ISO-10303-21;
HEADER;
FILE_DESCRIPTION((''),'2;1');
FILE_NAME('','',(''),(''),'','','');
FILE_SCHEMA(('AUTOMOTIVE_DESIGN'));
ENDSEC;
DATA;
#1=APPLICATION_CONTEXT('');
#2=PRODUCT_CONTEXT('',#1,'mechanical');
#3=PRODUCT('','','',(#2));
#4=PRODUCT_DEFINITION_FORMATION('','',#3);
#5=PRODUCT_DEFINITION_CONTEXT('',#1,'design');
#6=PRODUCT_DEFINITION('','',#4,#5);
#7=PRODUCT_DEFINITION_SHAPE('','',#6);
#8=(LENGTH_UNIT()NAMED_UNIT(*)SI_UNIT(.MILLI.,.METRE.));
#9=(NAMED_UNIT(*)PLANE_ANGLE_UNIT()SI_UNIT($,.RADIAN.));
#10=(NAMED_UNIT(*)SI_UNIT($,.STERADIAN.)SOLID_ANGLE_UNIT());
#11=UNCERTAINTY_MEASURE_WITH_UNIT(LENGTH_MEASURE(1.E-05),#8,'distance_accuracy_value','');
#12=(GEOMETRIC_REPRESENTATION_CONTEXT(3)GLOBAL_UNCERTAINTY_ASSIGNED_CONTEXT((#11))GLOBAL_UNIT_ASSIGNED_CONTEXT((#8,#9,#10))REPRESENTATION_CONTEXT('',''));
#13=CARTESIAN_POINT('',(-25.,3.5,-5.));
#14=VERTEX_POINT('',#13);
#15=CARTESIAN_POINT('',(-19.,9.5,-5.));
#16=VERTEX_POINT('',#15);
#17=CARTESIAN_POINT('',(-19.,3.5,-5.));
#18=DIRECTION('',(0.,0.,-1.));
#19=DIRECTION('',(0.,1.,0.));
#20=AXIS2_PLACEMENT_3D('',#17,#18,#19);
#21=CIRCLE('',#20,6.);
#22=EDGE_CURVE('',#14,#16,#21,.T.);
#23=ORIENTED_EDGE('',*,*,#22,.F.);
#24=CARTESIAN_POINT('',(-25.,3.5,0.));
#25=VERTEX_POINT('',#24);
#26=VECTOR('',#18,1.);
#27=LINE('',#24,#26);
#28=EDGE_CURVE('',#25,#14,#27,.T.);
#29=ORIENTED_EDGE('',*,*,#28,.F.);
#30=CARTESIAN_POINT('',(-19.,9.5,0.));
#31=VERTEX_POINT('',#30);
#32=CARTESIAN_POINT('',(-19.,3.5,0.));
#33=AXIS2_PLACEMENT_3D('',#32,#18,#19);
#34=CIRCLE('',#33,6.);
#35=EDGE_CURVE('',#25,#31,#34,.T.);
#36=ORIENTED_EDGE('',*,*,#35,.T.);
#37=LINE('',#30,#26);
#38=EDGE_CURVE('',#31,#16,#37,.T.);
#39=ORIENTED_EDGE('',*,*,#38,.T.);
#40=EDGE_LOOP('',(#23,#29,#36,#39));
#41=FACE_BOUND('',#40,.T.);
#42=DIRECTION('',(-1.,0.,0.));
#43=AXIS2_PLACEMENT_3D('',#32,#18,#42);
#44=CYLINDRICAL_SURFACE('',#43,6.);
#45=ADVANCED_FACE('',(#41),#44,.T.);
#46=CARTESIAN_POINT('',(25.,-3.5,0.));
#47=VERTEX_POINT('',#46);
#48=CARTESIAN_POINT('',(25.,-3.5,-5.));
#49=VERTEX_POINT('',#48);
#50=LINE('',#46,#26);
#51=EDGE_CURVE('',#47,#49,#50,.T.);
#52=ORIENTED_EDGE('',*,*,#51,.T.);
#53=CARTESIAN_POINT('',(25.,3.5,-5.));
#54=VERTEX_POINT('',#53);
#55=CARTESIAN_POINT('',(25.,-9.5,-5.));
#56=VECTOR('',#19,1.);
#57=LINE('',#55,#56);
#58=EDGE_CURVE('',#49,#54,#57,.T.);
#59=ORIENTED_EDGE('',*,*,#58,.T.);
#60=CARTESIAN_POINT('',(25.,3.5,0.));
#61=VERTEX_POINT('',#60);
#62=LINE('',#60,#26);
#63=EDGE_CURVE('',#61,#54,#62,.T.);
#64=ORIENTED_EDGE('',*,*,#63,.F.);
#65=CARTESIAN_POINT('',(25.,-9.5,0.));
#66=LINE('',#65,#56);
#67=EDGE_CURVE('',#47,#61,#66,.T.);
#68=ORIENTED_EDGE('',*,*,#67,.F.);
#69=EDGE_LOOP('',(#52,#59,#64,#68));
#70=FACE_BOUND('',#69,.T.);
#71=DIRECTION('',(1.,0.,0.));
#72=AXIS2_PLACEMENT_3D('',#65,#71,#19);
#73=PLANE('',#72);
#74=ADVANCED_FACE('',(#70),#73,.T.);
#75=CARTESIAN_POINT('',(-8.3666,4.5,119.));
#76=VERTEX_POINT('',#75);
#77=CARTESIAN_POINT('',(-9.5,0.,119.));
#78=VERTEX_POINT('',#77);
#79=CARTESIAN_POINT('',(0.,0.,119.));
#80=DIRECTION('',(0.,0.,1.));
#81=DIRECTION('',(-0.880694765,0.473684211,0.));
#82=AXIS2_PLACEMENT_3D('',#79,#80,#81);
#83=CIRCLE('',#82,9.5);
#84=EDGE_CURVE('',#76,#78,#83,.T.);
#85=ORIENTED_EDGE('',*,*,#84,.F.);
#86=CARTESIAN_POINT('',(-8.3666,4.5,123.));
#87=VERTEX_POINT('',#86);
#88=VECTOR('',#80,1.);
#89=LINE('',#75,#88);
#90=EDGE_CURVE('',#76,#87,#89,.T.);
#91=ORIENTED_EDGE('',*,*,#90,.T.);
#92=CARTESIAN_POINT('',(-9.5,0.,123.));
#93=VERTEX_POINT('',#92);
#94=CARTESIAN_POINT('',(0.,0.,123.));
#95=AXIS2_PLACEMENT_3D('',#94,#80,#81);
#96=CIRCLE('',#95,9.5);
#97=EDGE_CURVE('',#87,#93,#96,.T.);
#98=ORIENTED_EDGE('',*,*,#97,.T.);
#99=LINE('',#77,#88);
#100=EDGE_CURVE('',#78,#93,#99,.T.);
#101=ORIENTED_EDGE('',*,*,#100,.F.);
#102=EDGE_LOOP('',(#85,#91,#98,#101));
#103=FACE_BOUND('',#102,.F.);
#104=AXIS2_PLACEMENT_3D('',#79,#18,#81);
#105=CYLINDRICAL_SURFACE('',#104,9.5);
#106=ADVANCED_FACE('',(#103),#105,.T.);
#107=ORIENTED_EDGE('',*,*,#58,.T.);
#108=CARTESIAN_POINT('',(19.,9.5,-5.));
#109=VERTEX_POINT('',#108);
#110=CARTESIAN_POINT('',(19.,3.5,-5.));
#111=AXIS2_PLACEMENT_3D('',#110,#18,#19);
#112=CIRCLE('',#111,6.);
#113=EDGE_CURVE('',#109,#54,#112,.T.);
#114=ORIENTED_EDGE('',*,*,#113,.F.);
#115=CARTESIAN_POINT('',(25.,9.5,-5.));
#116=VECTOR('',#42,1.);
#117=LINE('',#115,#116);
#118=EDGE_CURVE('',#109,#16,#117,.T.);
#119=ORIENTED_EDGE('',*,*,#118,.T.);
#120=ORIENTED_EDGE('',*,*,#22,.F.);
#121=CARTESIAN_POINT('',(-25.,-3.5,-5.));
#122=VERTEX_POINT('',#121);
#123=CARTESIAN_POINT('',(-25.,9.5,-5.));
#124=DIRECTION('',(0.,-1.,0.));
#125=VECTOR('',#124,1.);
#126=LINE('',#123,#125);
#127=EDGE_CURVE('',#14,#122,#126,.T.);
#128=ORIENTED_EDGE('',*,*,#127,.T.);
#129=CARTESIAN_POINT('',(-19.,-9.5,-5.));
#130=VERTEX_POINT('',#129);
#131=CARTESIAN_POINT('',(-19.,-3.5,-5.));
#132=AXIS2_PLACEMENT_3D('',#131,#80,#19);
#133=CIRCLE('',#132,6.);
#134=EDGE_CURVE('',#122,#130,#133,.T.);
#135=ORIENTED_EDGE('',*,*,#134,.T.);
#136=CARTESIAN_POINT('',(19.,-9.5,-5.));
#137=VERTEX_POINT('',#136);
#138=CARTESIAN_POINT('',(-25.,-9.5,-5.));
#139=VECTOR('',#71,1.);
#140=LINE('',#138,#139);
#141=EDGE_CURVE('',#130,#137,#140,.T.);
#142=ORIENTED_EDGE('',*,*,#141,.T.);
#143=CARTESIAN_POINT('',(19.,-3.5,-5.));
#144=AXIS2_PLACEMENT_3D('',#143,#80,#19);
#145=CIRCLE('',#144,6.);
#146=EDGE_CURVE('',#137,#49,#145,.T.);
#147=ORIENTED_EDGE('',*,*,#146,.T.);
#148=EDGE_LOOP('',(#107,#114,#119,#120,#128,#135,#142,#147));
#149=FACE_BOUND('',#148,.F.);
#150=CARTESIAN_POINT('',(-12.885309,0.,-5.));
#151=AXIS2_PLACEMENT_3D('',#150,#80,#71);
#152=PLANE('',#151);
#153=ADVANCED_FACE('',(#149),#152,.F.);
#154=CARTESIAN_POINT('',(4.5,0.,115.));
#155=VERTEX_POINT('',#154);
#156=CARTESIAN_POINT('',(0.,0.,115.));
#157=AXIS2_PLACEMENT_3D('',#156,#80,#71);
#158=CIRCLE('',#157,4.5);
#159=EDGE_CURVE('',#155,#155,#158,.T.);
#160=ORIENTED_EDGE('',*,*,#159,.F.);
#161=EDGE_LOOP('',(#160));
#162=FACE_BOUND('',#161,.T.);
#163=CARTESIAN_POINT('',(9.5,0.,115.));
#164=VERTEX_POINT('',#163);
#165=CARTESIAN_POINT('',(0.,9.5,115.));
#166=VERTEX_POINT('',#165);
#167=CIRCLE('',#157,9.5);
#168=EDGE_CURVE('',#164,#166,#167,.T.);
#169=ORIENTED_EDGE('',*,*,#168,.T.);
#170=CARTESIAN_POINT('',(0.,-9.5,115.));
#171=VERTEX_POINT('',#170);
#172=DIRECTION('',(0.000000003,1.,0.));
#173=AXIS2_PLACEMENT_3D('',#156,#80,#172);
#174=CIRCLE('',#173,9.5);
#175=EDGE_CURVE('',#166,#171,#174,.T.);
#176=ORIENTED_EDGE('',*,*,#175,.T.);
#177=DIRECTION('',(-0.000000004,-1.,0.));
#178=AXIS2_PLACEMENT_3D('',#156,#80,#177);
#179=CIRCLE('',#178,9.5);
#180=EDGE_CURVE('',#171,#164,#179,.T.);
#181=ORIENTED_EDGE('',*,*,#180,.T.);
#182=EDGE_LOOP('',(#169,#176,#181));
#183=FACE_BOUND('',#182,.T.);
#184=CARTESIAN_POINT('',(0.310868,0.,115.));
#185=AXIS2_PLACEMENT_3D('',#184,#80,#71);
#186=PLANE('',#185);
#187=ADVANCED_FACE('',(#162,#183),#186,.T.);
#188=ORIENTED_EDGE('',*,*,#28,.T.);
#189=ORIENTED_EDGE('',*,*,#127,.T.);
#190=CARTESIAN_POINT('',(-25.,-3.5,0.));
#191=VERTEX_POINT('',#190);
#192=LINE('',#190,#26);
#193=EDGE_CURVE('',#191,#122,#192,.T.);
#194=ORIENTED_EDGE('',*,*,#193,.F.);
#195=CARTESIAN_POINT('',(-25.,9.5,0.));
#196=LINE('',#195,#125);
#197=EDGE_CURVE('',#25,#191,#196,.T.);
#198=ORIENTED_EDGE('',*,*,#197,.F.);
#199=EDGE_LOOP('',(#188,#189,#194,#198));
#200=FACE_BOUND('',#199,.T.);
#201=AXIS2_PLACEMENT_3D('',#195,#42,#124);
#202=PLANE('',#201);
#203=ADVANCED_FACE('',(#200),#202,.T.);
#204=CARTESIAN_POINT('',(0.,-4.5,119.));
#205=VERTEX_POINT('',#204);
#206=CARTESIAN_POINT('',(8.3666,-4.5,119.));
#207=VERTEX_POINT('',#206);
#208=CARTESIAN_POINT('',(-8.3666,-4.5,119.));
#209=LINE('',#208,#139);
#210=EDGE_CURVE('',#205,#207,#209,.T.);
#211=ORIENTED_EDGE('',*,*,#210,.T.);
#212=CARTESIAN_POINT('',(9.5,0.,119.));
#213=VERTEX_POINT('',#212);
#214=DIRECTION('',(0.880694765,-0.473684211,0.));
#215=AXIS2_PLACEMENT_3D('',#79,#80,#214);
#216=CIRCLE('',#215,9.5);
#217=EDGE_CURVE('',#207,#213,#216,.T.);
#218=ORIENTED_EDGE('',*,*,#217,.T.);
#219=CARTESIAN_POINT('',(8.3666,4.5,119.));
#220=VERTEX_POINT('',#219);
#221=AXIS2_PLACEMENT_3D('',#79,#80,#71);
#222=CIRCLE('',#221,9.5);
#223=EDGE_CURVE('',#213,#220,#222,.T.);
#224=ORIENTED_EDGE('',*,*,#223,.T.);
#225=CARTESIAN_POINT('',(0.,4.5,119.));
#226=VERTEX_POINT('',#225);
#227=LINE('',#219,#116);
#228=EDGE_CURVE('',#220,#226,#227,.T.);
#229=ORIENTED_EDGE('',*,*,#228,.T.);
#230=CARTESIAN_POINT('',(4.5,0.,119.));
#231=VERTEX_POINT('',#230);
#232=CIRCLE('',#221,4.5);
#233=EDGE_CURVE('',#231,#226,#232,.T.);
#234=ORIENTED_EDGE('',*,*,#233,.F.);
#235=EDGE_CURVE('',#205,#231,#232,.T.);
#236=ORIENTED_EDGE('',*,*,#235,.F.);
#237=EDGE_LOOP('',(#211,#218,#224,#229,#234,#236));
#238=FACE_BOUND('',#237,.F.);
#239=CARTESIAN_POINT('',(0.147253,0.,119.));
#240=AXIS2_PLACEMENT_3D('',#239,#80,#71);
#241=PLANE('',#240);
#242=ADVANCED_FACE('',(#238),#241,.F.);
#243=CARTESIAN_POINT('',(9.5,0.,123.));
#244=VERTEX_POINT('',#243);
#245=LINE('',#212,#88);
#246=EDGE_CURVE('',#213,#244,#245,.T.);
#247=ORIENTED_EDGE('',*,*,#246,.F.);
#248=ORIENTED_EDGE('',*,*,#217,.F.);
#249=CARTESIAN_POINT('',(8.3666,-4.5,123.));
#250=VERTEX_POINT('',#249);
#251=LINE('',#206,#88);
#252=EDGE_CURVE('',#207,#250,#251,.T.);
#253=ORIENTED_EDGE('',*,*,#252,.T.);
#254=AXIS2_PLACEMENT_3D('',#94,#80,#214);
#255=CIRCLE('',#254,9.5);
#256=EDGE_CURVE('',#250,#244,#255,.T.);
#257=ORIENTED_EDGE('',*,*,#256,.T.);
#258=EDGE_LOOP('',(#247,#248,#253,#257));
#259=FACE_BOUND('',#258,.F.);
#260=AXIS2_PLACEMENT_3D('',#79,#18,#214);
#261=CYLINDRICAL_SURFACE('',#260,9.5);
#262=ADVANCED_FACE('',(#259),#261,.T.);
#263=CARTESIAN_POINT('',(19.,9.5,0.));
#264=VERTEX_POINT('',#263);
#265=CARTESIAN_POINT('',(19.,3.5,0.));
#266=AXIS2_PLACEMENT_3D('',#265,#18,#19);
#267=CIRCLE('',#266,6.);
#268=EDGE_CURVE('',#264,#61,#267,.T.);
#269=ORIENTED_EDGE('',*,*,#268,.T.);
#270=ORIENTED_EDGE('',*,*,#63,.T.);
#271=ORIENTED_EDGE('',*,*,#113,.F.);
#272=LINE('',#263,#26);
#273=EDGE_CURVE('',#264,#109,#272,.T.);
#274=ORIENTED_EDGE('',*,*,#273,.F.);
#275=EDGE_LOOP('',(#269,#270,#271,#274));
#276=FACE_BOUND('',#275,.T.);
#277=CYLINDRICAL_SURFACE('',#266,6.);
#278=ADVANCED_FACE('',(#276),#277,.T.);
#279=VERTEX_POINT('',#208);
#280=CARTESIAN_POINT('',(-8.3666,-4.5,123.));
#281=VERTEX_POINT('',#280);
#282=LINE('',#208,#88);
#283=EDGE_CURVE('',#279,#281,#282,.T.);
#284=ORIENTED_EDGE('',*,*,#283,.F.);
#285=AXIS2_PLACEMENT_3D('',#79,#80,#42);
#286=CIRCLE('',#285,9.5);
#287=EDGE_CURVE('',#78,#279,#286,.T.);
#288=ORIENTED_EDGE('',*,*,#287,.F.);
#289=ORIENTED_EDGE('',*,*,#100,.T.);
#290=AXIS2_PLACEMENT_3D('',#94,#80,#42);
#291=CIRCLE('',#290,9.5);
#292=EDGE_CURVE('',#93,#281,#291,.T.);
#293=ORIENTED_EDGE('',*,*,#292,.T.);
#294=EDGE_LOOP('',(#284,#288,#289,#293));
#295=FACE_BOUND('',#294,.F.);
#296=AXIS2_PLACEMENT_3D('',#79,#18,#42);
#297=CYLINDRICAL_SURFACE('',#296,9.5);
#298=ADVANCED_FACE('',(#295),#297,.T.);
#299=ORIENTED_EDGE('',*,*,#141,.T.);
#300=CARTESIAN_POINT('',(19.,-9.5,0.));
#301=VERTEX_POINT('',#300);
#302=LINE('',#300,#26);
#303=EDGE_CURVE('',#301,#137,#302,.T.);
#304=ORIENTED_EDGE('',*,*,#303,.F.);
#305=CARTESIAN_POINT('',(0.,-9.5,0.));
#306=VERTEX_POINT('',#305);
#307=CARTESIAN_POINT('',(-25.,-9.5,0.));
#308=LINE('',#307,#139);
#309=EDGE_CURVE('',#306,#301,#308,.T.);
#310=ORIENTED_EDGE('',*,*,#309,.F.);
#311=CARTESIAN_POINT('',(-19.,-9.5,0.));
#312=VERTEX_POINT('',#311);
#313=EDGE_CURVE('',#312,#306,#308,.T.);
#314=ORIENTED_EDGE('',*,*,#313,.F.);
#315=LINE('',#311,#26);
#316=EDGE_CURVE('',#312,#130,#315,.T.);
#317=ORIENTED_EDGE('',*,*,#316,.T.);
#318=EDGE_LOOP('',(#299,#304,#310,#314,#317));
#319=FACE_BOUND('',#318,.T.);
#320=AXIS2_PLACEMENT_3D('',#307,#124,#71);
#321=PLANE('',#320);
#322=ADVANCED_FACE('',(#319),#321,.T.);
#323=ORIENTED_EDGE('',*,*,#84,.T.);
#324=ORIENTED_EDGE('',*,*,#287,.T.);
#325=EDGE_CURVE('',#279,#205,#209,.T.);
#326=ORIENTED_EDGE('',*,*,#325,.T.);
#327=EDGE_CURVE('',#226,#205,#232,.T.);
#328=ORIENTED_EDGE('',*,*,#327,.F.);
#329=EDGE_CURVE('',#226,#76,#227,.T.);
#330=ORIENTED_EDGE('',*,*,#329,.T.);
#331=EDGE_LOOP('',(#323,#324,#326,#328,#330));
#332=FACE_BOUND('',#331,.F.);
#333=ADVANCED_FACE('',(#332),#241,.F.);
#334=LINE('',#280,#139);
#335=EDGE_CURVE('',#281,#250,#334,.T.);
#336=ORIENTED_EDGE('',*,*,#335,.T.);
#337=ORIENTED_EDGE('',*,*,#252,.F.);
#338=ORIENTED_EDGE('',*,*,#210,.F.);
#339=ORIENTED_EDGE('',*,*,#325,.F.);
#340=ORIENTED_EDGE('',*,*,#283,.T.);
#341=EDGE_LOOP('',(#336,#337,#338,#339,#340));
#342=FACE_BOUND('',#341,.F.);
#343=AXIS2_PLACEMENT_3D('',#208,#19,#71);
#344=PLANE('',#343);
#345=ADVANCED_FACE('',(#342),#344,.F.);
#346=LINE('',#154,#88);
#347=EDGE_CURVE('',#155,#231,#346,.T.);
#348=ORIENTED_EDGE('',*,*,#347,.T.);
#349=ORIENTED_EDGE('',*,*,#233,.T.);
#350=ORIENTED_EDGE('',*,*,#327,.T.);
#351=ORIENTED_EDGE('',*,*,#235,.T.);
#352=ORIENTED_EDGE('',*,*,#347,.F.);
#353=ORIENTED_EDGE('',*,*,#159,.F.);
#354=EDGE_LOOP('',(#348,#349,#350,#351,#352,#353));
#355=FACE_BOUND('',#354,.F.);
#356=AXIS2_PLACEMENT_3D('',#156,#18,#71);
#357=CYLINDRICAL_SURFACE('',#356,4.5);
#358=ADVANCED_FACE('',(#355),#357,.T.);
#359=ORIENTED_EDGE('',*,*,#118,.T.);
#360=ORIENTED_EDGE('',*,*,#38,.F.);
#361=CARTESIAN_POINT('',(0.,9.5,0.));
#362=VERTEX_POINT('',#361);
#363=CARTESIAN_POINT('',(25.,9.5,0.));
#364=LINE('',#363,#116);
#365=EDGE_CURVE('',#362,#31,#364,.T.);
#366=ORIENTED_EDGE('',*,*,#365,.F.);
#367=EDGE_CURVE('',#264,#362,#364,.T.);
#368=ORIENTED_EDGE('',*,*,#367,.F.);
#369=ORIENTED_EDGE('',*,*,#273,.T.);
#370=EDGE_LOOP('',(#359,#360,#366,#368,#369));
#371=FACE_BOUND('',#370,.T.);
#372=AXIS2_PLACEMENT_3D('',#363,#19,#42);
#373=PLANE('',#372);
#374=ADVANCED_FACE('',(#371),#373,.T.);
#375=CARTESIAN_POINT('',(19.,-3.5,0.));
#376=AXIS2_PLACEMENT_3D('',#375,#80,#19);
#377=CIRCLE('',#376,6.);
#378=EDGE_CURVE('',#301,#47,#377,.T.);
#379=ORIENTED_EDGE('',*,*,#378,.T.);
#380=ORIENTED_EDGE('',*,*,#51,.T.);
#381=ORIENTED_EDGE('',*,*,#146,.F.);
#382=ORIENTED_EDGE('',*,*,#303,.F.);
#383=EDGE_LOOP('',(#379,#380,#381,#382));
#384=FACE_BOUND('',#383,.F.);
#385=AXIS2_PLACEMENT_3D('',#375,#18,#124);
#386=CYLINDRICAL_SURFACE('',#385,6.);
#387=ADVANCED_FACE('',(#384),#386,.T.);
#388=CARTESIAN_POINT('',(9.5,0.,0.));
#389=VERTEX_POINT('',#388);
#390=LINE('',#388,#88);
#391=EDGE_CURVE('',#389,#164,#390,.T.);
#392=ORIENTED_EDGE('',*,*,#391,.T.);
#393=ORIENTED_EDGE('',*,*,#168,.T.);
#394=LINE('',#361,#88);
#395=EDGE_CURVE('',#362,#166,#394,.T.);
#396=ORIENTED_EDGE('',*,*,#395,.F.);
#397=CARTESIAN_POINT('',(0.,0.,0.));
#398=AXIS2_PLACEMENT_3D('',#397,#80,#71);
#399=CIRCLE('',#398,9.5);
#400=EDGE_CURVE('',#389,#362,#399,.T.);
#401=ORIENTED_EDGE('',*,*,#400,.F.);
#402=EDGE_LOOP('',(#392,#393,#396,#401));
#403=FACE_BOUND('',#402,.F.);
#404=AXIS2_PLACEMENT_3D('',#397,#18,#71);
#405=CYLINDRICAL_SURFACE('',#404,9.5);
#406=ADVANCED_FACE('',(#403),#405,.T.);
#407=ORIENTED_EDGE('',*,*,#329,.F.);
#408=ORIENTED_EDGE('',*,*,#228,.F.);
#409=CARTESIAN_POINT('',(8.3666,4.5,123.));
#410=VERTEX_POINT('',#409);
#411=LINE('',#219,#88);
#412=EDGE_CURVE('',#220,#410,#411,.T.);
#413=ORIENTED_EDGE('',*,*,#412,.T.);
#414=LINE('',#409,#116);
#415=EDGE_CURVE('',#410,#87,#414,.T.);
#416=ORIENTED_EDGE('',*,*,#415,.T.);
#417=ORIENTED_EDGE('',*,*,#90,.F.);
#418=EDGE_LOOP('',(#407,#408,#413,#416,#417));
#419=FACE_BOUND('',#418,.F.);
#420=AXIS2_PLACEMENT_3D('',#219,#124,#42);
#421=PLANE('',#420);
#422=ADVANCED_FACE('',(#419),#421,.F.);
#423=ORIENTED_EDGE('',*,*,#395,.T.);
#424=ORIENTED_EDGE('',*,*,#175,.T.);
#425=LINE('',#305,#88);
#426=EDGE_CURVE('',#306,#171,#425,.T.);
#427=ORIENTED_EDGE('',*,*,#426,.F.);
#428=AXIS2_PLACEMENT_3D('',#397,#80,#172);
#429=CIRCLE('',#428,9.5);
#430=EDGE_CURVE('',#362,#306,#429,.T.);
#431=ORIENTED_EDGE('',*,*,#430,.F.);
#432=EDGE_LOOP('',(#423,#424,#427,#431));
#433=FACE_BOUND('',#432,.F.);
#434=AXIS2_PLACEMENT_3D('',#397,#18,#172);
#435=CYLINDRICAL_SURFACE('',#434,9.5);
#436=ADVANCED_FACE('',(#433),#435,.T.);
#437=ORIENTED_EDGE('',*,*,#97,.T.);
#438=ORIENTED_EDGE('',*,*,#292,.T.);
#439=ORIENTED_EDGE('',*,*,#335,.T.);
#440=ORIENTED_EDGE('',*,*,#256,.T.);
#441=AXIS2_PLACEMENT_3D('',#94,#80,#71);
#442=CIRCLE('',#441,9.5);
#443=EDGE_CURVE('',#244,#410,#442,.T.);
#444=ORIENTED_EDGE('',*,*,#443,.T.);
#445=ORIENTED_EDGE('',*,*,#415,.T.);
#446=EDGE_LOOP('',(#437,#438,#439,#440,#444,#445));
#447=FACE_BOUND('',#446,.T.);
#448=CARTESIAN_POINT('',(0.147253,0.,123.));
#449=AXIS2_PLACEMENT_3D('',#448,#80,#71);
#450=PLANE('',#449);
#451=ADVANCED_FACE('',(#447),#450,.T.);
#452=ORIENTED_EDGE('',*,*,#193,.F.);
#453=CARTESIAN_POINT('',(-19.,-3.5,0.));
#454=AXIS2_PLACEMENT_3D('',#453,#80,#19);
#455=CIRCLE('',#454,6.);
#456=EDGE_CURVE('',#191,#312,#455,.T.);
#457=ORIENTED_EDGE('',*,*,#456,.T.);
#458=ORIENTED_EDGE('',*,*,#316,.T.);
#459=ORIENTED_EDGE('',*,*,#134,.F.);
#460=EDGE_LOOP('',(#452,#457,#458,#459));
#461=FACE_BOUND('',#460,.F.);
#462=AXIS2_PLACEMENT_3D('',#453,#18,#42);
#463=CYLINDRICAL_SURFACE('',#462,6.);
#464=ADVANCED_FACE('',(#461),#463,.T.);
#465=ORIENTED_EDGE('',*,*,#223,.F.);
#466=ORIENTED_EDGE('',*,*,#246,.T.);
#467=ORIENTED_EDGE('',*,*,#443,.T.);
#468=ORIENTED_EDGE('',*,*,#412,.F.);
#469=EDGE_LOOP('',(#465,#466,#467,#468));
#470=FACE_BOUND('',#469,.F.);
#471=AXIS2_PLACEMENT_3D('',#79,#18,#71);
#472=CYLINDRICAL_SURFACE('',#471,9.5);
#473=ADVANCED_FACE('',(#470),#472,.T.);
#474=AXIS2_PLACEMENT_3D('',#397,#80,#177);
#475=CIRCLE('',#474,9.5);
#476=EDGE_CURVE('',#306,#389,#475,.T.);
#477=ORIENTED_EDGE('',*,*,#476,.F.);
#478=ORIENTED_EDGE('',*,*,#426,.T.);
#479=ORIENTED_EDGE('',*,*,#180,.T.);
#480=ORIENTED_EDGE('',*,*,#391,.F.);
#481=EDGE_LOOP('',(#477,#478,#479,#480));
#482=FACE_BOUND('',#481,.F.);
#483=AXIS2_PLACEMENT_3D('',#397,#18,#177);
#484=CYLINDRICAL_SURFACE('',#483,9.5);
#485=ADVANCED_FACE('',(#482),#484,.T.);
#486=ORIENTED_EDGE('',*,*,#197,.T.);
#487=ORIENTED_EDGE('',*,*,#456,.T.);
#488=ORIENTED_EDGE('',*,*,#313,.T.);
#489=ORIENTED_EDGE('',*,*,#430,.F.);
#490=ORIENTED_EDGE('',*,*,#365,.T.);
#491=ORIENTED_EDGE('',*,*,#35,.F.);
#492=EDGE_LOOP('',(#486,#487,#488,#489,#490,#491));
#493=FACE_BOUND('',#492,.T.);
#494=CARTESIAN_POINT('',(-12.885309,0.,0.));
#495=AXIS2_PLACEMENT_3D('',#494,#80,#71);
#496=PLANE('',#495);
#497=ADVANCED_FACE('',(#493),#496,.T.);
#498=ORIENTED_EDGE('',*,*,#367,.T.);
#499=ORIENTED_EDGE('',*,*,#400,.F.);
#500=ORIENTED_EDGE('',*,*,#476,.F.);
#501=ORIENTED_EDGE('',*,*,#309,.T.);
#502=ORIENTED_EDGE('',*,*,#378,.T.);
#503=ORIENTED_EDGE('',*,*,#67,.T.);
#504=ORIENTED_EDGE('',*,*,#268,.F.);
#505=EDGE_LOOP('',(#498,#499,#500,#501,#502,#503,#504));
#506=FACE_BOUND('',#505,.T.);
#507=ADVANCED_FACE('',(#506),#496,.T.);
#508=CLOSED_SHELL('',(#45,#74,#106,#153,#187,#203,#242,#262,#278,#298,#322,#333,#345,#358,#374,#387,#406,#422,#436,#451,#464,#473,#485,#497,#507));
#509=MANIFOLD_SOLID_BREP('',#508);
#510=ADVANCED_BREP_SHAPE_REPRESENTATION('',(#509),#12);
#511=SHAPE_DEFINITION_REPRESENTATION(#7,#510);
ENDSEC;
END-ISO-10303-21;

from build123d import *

# Parameters (mm, degrees)
F1_DEPTH = 115
F2_DEPTH = 5
F3_R     = 6
F4_R     = 4.5
F5_DEPTH = 4
F7_DEPTH = 4


with BuildPart() as f1:
    # F0 (on Top) → F1 (new body)
    with BuildSketch(Plane.XY):
        with BuildLine():
            ThreePointArc((-4.21e-08, -9.5), (6.7175144064, -6.7175144362), (9.5, 0))
            ThreePointArc((9.5, 0), (6.7175144305, 6.7175144121), (2.6e-08, 9.5))
            ThreePointArc((2.6e-08, 9.5), (-9.5, 3.4e-08), (-4.21e-08, -9.5))
        make_face()
    extrude(amount=F1_DEPTH)

    # F0 (on Top) → F2 (join)
    with BuildSketch(Plane.XY):
        with BuildLine():
            ThreePointArc((-4.21e-08, -9.5), (-9.5, 3.4e-08), (2.6e-08, 9.5))
            Line((2.6e-08, 9.5), (-25, 9.5))
            Line((-25, 9.5), (-25, -9.5))
            Line((-25, -9.5), (-4.21e-08, -9.5))
        make_face()
        with BuildLine():
            ThreePointArc((2.6e-08, 9.5), (6.7175144305, 6.7175144121), (9.5, 0))
            ThreePointArc((9.5, 0), (6.7175144064, -6.7175144362), (-4.21e-08, -9.5))
            Line((-4.21e-08, -9.5), (25, -9.5))
            Line((25, -9.5), (25, 9.5))
            Line((25, 9.5), (2.6e-08, 9.5))
        make_face()
        with BuildLine():
            ThreePointArc((-4.21e-08, -9.5), (6.7175144064, -6.7175144362), (9.5, 0))
            ThreePointArc((9.5, 0), (6.7175144305, 6.7175144121), (2.6e-08, 9.5))
            ThreePointArc((2.6e-08, 9.5), (-9.5, 3.4e-08), (-4.21e-08, -9.5))
        make_face()
    extrude(amount=-F2_DEPTH)

    # F3
    f3_edges = [f1.edges().sort_by_distance(p)[0] for p in [
        (-25, 9.5, -2.5),
        (-25, -9.5, -2.5),
        (25, 9.5, -2.5),
        (25, -9.5, -2.5),
    ]]
    fillet(f3_edges, radius=F3_R)

    # F4 (on face) → F5 (join)
    with BuildSketch(Plane.XY.offset(115)):
        Circle(F4_R)
    extrude(amount=F5_DEPTH)

    # F6 (on face) → F7 (join)
    with BuildSketch(Plane.XY.offset(119)):
        with BuildLine():
            ThreePointArc((4.5, 0), (3.1819805153, 3.1819805153), (0, 4.5))
            ThreePointArc((0, 4.5), (-4.5, 0), (0, -4.5))
            ThreePointArc((0, -4.5), (3.1819805153, -3.1819805153), (4.5, 0))
        make_face()
        with BuildLine():
            Line((0, 4.5), (-8.3666002653, 4.5))
            ThreePointArc((-8.3666002653, 4.5), (-9.2122934854, 2.3202691093), (-9.5, 0))
            ThreePointArc((-9.5, 0), (-9.2122934854, -2.3202691093), (-8.3666002653, -4.5))
            Line((-8.3666002653, -4.5), (0, -4.5))
            ThreePointArc((0, -4.5), (-4.5, 0), (0, 4.5))
        make_face()
        with BuildLine():
            Line((8.3666002653, 4.5), (0, 4.5))
            ThreePointArc((0, 4.5), (3.1819805153, 3.1819805153), (4.5, 0))
            ThreePointArc((4.5, 0), (3.1819805153, -3.1819805153), (0, -4.5))
            Line((0, -4.5), (8.3666002653, -4.5))
            ThreePointArc((8.3666002653, -4.5), (9.2122934854, -2.3202691093), (9.5, 0))
            ThreePointArc((9.5, 0), (9.2122934854, 2.3202691093), (8.3666002653, 4.5))
        make_face()
    extrude(amount=F7_DEPTH)


solid = f1.part
